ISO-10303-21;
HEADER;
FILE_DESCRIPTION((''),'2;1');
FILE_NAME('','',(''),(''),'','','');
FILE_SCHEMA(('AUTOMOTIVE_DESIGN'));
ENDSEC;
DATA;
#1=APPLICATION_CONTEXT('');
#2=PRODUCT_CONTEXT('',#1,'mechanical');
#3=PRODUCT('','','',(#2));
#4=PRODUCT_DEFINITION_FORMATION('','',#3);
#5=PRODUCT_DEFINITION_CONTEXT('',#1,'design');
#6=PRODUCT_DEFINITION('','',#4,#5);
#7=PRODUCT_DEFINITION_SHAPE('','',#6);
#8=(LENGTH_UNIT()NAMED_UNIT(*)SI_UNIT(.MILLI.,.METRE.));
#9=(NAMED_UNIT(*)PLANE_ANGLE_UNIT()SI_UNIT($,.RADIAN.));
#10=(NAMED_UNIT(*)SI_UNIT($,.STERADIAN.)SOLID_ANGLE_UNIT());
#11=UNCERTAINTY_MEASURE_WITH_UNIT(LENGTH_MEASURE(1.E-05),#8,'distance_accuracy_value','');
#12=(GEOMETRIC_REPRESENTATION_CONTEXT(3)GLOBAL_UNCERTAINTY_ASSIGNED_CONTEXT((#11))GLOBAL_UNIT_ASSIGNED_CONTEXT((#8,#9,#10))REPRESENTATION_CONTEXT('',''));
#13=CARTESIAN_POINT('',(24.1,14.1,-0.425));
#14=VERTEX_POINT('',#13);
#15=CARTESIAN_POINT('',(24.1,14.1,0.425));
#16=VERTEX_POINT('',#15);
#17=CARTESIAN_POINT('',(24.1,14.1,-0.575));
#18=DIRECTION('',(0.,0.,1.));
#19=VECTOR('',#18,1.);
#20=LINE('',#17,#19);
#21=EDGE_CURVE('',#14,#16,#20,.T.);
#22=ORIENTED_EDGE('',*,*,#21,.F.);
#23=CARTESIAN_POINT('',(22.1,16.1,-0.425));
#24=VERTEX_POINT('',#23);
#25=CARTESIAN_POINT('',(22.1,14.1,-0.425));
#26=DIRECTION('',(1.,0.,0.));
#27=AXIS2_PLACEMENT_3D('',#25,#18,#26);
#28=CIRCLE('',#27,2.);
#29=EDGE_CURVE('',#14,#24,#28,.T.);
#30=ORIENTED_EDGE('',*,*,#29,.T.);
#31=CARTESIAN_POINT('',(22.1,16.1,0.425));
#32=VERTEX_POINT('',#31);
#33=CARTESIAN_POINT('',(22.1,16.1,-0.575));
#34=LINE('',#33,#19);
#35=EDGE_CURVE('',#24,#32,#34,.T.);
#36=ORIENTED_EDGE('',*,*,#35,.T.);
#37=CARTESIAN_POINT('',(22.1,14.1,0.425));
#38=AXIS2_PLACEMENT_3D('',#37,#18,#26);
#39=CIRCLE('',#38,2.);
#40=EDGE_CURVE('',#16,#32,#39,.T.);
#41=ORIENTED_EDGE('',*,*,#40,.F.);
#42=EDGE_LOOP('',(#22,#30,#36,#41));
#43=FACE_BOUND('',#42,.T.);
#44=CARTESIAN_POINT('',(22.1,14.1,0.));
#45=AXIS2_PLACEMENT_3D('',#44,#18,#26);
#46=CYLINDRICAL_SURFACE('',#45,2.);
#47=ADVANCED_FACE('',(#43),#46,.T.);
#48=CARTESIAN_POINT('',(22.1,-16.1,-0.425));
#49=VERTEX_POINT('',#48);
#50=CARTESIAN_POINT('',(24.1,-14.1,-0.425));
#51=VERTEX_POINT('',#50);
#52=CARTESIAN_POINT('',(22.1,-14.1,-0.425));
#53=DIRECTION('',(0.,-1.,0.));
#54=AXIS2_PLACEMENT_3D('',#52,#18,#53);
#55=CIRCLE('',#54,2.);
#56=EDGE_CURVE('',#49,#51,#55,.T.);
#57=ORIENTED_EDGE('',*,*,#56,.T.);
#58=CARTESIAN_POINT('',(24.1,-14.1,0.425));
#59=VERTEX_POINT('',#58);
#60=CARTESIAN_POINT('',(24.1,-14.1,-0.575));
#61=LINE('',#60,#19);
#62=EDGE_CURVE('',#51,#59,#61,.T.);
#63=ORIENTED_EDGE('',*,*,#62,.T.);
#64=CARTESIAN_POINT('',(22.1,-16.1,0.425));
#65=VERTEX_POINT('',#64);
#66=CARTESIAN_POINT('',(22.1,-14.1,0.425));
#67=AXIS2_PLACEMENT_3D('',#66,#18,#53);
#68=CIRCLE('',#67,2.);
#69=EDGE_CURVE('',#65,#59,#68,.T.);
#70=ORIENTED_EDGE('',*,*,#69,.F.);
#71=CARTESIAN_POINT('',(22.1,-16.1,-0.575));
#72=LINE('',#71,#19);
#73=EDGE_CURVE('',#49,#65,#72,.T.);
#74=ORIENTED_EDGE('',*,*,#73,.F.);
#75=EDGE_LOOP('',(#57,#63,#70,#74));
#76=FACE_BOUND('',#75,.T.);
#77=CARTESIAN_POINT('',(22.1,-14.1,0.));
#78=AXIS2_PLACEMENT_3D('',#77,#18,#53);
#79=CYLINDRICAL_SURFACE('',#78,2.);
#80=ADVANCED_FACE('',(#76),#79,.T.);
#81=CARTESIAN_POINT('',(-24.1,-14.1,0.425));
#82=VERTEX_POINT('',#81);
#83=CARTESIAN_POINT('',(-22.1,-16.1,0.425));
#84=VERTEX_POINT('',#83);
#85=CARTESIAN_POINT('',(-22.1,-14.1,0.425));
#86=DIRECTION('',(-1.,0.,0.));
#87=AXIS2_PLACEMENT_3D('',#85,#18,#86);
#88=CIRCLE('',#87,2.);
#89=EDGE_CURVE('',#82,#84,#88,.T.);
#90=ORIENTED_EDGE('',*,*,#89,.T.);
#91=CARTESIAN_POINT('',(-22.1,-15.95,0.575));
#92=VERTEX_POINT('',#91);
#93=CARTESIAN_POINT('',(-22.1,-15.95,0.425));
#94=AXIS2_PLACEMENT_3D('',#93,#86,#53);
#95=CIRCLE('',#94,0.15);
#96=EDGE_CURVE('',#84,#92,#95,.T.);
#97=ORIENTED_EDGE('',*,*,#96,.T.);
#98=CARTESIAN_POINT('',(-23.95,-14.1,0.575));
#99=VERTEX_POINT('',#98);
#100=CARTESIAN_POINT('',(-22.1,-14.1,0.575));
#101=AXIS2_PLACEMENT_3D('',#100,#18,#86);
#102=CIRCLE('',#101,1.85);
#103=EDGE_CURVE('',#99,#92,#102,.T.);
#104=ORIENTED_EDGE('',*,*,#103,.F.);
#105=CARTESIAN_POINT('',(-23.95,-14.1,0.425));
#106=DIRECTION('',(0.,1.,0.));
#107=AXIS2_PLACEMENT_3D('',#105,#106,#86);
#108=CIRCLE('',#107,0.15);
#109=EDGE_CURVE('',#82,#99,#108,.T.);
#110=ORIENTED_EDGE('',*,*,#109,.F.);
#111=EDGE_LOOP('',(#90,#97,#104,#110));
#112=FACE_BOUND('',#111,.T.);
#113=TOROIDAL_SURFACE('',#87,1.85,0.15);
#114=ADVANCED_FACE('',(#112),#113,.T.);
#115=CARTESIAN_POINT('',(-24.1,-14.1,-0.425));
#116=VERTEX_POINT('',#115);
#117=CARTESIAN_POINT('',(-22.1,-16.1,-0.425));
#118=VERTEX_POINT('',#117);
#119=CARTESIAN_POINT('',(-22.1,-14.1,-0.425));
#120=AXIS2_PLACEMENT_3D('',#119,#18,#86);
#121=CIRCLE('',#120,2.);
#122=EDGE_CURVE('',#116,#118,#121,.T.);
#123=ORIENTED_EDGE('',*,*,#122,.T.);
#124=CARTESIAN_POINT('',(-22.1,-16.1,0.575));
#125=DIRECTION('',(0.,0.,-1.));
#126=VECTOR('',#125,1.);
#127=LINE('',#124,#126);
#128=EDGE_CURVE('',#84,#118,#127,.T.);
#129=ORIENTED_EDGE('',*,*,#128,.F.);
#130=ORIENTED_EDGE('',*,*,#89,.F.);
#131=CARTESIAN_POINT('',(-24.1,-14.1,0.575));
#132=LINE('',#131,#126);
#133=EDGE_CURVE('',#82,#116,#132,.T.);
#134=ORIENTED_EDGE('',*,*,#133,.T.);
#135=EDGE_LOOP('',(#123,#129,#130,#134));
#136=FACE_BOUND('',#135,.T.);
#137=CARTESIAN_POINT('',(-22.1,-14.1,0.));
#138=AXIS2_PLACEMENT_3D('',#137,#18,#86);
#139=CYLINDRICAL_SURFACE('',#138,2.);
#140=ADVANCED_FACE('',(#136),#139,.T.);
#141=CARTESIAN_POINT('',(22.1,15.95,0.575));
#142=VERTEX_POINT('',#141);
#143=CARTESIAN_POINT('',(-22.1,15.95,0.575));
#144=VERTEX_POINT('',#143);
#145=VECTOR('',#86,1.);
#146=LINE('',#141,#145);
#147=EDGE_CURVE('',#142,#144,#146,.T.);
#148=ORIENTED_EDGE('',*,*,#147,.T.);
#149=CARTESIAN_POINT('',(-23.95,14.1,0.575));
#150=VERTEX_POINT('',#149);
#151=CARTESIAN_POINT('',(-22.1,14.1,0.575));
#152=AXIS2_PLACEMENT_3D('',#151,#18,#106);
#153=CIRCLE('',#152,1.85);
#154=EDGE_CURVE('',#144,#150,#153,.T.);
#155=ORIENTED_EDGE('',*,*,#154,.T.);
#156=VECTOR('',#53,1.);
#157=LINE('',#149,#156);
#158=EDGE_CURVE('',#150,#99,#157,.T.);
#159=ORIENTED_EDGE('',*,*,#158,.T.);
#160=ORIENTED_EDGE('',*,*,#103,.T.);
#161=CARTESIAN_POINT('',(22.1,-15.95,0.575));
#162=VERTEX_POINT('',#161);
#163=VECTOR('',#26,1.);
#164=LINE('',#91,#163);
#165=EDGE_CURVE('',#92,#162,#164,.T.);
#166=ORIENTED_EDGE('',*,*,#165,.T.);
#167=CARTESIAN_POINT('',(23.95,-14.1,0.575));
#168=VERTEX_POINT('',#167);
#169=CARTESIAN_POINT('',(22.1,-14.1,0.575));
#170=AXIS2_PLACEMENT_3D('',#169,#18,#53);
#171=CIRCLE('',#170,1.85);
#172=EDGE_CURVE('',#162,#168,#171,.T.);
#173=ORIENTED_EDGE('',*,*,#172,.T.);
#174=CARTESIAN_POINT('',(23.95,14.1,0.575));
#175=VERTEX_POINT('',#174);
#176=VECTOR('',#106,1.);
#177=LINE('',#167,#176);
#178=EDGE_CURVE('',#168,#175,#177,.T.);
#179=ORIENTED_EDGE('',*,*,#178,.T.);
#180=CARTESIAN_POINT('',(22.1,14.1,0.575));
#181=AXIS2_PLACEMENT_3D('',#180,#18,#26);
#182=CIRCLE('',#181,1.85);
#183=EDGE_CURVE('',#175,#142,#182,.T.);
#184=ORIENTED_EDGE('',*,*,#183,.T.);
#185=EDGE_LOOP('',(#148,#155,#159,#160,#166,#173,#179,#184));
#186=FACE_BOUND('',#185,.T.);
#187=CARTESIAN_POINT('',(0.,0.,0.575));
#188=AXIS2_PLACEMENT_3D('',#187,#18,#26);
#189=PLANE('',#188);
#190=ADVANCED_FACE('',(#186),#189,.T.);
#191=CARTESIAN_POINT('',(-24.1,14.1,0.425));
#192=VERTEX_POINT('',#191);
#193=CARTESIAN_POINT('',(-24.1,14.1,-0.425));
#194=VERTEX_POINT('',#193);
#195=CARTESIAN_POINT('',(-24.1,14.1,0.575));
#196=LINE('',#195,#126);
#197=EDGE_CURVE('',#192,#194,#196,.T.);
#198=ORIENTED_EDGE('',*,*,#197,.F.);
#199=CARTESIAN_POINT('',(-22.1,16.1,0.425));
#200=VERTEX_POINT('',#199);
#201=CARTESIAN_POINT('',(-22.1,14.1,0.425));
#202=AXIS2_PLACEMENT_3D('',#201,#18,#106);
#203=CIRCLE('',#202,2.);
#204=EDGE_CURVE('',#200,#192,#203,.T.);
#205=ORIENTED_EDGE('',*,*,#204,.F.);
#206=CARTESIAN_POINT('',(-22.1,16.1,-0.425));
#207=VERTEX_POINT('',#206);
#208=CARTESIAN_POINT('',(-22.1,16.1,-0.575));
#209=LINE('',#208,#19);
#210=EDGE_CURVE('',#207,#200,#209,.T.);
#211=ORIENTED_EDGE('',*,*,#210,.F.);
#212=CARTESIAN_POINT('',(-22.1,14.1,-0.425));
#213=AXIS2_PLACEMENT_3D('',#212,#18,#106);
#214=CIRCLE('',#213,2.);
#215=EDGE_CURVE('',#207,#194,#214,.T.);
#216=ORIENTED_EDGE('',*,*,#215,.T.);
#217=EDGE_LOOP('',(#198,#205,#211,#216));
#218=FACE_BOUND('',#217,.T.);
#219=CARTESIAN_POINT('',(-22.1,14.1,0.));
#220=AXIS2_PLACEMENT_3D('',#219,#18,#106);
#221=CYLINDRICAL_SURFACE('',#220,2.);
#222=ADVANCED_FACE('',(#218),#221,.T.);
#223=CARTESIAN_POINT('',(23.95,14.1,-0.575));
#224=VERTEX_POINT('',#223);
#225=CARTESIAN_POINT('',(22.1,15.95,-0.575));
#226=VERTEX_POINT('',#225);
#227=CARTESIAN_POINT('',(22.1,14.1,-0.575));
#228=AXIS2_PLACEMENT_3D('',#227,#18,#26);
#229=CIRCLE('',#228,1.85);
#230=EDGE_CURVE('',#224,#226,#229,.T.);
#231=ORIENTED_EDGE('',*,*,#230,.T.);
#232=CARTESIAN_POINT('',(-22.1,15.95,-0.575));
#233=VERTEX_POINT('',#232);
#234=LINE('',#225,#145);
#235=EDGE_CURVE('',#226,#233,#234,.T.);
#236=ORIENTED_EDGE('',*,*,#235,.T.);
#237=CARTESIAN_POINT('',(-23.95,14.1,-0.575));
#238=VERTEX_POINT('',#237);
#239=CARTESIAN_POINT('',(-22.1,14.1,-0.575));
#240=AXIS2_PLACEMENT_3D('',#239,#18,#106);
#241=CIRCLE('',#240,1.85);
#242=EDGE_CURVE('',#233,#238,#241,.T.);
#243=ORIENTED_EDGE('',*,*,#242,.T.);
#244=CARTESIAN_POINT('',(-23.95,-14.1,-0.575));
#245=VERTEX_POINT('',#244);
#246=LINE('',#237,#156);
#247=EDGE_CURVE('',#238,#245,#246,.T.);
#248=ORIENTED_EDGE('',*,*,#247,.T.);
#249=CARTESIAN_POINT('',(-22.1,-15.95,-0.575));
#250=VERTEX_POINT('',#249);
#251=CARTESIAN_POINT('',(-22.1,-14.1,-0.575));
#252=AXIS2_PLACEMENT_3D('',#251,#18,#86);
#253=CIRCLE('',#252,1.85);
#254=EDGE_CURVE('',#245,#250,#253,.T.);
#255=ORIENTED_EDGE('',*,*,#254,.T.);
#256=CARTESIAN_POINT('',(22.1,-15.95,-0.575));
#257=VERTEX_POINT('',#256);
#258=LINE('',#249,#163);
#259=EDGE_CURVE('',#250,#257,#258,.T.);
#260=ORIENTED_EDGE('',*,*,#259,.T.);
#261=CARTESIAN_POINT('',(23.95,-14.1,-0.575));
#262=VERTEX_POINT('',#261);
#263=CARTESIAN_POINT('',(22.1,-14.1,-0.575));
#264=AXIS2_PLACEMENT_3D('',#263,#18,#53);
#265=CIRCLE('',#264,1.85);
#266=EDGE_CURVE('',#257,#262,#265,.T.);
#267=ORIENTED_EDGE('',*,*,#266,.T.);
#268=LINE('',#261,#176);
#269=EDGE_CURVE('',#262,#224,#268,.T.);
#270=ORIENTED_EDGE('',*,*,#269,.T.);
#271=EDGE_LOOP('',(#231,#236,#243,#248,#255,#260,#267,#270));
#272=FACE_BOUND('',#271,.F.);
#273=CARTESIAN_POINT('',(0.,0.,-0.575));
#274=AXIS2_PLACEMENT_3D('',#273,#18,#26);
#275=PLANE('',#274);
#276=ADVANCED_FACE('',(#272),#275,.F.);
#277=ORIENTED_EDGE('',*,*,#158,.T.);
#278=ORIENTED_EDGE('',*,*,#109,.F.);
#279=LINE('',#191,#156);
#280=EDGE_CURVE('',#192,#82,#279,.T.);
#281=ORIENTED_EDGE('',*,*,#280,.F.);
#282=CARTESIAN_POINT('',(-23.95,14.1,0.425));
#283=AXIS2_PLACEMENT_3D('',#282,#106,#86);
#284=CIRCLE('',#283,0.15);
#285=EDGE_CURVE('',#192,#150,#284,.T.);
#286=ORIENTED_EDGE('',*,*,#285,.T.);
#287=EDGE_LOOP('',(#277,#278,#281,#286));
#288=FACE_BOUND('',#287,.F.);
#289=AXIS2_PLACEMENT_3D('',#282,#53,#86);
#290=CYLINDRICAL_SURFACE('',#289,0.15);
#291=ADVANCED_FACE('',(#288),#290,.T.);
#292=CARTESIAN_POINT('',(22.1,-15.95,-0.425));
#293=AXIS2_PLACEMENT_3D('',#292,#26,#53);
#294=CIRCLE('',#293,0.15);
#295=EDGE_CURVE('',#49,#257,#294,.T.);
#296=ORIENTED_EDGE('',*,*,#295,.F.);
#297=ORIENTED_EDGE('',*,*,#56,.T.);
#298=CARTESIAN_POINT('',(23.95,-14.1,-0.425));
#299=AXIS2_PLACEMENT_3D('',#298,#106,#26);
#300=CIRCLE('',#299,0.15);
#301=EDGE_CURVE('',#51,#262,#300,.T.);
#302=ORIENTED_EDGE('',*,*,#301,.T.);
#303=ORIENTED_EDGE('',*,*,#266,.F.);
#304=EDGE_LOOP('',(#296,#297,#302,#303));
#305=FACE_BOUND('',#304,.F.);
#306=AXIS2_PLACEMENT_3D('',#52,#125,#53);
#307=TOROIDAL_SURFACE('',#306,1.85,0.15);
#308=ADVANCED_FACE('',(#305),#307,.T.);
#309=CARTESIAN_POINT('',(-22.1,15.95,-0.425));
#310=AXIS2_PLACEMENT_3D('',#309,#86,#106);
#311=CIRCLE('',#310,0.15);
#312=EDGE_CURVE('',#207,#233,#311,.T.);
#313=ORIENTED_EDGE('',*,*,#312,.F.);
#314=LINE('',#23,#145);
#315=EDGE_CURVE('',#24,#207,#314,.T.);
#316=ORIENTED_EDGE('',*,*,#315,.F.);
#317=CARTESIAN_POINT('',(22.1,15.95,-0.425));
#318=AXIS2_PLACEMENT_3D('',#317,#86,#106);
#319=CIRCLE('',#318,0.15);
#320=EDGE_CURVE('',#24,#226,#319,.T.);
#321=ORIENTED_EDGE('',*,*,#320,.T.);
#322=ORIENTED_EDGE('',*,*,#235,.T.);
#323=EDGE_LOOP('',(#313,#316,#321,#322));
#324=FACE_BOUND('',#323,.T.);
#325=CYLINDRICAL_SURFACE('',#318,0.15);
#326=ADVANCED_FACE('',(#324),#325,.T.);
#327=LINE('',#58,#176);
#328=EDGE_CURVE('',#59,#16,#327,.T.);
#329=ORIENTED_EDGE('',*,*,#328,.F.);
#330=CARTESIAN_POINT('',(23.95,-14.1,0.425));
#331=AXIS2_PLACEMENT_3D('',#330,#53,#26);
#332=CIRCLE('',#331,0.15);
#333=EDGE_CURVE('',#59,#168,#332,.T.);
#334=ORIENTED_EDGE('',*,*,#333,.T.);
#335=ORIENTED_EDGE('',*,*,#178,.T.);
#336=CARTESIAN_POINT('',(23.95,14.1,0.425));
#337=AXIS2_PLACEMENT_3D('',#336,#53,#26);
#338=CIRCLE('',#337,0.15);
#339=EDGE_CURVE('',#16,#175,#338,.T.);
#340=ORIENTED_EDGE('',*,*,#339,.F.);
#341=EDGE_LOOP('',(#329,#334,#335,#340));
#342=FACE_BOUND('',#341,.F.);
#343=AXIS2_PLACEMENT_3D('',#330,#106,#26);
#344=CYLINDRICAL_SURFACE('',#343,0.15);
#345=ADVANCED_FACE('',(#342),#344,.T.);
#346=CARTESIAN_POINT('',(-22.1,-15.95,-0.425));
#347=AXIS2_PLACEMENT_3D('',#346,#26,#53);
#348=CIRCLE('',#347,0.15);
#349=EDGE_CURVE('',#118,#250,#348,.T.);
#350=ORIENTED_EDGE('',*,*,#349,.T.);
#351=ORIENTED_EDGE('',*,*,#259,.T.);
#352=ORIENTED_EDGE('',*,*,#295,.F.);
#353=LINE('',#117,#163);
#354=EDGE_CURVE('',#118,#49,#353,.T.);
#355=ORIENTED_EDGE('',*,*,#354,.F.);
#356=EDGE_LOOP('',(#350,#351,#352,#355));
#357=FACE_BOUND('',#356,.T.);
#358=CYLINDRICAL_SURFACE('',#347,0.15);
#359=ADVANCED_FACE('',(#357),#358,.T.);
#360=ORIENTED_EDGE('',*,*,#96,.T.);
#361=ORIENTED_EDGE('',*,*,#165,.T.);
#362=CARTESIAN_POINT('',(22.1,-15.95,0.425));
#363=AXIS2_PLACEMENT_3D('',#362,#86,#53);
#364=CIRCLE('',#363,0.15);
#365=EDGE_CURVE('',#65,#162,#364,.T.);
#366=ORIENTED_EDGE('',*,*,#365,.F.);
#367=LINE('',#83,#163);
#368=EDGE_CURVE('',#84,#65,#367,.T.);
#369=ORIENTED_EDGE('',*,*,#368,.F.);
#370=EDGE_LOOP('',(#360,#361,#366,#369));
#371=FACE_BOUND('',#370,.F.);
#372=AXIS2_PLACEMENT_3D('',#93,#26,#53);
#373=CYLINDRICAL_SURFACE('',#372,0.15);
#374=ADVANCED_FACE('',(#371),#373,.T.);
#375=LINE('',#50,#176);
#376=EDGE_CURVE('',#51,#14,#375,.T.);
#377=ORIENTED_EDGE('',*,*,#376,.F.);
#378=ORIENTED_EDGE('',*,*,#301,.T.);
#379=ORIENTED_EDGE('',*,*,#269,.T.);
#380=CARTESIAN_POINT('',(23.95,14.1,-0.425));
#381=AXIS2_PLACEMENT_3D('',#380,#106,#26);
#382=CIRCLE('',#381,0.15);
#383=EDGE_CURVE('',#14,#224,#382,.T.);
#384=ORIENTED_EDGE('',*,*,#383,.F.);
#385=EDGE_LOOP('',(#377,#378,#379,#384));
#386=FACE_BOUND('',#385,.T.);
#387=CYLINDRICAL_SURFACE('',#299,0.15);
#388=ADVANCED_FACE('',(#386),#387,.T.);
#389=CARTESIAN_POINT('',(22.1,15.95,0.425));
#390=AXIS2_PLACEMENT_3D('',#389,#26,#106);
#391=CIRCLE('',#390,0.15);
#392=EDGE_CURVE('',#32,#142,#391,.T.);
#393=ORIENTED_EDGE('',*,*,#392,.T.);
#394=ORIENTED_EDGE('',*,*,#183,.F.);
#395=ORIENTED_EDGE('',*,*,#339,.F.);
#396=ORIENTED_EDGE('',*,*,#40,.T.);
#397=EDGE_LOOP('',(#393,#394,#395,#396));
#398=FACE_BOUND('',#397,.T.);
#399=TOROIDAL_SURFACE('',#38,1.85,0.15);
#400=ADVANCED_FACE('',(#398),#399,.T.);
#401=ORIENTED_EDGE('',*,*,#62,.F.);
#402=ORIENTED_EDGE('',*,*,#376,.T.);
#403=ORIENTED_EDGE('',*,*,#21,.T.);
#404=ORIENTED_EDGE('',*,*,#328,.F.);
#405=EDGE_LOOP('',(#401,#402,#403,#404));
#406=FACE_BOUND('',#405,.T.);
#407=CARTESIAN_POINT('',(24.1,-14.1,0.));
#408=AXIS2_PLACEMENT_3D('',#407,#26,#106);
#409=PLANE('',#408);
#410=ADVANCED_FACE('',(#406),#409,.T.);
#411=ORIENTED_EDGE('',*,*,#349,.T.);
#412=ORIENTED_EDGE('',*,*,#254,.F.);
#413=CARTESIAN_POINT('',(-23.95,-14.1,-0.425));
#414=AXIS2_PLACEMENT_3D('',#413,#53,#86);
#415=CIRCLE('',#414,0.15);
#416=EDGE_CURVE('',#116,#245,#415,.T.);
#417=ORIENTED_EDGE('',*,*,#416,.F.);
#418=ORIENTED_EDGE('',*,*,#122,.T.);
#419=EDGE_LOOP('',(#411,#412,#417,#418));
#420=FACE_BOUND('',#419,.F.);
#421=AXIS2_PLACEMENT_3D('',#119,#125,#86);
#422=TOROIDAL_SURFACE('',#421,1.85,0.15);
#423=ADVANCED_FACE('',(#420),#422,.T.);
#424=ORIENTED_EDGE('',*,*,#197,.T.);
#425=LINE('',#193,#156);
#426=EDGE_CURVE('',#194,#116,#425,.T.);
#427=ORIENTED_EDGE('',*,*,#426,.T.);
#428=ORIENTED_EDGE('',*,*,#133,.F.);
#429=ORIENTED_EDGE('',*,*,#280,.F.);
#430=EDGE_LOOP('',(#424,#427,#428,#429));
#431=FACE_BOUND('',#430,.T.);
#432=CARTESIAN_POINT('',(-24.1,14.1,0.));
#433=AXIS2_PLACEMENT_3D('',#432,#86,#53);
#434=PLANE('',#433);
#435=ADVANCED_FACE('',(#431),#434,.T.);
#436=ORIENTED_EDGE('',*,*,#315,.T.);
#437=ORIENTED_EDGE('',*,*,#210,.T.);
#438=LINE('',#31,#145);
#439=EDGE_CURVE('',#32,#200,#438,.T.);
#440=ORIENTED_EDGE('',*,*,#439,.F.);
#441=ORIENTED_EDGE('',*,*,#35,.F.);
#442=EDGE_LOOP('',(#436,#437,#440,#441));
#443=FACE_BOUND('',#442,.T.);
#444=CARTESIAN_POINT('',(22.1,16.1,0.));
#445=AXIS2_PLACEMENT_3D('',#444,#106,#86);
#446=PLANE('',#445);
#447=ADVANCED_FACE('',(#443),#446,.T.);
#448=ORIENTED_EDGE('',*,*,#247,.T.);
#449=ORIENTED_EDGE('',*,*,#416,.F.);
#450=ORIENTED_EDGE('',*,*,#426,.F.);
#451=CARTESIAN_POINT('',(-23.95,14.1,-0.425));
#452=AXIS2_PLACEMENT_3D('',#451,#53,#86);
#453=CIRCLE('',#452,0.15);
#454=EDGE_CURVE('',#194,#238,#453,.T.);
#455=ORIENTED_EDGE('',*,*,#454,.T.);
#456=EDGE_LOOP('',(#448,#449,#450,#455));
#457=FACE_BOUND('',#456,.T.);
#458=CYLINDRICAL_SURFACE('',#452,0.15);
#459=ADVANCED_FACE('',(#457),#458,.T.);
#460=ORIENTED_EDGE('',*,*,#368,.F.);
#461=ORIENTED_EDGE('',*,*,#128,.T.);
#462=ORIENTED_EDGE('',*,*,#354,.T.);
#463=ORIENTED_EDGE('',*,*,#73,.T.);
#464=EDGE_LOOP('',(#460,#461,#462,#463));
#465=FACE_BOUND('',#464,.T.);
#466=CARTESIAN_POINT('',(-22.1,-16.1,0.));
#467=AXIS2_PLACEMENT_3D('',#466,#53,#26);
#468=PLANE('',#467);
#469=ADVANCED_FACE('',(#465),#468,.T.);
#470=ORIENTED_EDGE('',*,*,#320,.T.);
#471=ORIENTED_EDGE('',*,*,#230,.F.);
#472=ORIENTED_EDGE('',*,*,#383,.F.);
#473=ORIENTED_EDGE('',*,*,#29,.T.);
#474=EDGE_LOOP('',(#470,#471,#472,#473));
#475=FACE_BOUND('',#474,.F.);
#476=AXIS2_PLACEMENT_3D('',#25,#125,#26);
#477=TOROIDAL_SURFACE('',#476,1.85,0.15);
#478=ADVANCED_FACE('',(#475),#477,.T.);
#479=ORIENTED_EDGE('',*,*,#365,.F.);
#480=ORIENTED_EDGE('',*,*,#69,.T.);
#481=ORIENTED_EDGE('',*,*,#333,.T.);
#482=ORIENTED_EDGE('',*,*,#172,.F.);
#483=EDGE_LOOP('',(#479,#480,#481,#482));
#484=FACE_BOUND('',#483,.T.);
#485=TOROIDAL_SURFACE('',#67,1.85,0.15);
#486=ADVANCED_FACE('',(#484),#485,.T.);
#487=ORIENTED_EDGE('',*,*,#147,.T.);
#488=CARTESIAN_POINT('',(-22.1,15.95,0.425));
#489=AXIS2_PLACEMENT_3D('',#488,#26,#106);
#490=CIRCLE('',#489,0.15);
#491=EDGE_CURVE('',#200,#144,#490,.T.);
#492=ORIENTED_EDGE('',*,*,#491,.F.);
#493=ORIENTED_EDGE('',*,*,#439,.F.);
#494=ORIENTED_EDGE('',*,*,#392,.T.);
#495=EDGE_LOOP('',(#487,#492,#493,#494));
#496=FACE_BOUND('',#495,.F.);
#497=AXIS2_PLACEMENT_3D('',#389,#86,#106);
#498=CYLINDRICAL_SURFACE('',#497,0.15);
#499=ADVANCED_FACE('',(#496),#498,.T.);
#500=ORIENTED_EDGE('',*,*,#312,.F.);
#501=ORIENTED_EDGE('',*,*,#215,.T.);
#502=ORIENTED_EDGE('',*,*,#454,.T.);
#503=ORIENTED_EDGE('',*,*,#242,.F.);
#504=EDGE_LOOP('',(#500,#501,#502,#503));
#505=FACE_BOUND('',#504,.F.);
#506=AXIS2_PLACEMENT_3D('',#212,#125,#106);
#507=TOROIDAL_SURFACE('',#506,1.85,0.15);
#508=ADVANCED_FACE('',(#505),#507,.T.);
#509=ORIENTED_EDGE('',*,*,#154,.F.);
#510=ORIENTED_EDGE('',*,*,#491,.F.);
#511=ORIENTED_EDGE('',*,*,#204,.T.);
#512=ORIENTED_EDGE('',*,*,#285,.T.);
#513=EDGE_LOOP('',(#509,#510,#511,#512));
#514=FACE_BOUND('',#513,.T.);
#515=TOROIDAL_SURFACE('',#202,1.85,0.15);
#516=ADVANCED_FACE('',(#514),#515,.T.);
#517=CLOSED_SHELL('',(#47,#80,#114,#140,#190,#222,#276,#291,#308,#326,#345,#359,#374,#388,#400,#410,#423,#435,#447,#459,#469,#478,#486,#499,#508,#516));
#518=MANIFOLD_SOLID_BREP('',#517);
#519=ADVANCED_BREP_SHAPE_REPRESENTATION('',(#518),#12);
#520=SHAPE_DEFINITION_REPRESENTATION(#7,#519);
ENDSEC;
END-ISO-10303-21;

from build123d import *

# Parameters (mm, degrees)
F1_DEPTH = 0.575
F2_R     = 0.15


with BuildPart() as f1:
    # F0 (on Top) → F1 (new body, symmetric)
    with BuildSketch(Plane.XY):
        with BuildLine():
            Line((-22.1, -16.1), (22.1, -16.1))
            ThreePointArc((22.1, -16.1), (23.5142135624, -15.5142135624), (24.1, -14.1))
            Line((24.1, -14.1), (24.1, 14.1))
            ThreePointArc((24.1, 14.1), (23.5142135624, 15.5142135624), (22.1, 16.1))
            Line((22.1, 16.1), (-22.1, 16.1))
            ThreePointArc((-22.1, 16.1), (-23.5142135624, 15.5142135624), (-24.1, 14.1))
            Line((-24.1, 14.1), (-24.1, -14.1))
            ThreePointArc((-24.1, -14.1), (-23.5142135624, -15.5142135624), (-22.1, -16.1))
        make_face()
    extrude(amount=F1_DEPTH, both=True)

    # F2
    f2_edges = [f1.edges().sort_by_distance(p)[0] for p in [
        (0, -16.1, -0.575),
        (23.514214, -15.514214, -0.575),
        (24.1, 0, -0.575),
        (23.514214, 15.514214, -0.575),
        (0, 16.1, -0.575),
        (-23.514214, 15.514214, -0.575),
        (-24.1, 0, -0.575),
        (-23.514214, -15.514214, -0.575),
        (0, -16.1, 0.575),
        (23.514214, -15.514214, 0.575),
        (24.1, 0, 0.575),
        (23.514214, 15.514214, 0.575),
        (0, 16.1, 0.575),
        (-23.514214, 15.514214, 0.575),
        (-24.1, 0, 0.575),
        (-23.514214, -15.514214, 0.575),
    ]]
    fillet(f2_edges, radius=F2_R)


solid = f1.part
